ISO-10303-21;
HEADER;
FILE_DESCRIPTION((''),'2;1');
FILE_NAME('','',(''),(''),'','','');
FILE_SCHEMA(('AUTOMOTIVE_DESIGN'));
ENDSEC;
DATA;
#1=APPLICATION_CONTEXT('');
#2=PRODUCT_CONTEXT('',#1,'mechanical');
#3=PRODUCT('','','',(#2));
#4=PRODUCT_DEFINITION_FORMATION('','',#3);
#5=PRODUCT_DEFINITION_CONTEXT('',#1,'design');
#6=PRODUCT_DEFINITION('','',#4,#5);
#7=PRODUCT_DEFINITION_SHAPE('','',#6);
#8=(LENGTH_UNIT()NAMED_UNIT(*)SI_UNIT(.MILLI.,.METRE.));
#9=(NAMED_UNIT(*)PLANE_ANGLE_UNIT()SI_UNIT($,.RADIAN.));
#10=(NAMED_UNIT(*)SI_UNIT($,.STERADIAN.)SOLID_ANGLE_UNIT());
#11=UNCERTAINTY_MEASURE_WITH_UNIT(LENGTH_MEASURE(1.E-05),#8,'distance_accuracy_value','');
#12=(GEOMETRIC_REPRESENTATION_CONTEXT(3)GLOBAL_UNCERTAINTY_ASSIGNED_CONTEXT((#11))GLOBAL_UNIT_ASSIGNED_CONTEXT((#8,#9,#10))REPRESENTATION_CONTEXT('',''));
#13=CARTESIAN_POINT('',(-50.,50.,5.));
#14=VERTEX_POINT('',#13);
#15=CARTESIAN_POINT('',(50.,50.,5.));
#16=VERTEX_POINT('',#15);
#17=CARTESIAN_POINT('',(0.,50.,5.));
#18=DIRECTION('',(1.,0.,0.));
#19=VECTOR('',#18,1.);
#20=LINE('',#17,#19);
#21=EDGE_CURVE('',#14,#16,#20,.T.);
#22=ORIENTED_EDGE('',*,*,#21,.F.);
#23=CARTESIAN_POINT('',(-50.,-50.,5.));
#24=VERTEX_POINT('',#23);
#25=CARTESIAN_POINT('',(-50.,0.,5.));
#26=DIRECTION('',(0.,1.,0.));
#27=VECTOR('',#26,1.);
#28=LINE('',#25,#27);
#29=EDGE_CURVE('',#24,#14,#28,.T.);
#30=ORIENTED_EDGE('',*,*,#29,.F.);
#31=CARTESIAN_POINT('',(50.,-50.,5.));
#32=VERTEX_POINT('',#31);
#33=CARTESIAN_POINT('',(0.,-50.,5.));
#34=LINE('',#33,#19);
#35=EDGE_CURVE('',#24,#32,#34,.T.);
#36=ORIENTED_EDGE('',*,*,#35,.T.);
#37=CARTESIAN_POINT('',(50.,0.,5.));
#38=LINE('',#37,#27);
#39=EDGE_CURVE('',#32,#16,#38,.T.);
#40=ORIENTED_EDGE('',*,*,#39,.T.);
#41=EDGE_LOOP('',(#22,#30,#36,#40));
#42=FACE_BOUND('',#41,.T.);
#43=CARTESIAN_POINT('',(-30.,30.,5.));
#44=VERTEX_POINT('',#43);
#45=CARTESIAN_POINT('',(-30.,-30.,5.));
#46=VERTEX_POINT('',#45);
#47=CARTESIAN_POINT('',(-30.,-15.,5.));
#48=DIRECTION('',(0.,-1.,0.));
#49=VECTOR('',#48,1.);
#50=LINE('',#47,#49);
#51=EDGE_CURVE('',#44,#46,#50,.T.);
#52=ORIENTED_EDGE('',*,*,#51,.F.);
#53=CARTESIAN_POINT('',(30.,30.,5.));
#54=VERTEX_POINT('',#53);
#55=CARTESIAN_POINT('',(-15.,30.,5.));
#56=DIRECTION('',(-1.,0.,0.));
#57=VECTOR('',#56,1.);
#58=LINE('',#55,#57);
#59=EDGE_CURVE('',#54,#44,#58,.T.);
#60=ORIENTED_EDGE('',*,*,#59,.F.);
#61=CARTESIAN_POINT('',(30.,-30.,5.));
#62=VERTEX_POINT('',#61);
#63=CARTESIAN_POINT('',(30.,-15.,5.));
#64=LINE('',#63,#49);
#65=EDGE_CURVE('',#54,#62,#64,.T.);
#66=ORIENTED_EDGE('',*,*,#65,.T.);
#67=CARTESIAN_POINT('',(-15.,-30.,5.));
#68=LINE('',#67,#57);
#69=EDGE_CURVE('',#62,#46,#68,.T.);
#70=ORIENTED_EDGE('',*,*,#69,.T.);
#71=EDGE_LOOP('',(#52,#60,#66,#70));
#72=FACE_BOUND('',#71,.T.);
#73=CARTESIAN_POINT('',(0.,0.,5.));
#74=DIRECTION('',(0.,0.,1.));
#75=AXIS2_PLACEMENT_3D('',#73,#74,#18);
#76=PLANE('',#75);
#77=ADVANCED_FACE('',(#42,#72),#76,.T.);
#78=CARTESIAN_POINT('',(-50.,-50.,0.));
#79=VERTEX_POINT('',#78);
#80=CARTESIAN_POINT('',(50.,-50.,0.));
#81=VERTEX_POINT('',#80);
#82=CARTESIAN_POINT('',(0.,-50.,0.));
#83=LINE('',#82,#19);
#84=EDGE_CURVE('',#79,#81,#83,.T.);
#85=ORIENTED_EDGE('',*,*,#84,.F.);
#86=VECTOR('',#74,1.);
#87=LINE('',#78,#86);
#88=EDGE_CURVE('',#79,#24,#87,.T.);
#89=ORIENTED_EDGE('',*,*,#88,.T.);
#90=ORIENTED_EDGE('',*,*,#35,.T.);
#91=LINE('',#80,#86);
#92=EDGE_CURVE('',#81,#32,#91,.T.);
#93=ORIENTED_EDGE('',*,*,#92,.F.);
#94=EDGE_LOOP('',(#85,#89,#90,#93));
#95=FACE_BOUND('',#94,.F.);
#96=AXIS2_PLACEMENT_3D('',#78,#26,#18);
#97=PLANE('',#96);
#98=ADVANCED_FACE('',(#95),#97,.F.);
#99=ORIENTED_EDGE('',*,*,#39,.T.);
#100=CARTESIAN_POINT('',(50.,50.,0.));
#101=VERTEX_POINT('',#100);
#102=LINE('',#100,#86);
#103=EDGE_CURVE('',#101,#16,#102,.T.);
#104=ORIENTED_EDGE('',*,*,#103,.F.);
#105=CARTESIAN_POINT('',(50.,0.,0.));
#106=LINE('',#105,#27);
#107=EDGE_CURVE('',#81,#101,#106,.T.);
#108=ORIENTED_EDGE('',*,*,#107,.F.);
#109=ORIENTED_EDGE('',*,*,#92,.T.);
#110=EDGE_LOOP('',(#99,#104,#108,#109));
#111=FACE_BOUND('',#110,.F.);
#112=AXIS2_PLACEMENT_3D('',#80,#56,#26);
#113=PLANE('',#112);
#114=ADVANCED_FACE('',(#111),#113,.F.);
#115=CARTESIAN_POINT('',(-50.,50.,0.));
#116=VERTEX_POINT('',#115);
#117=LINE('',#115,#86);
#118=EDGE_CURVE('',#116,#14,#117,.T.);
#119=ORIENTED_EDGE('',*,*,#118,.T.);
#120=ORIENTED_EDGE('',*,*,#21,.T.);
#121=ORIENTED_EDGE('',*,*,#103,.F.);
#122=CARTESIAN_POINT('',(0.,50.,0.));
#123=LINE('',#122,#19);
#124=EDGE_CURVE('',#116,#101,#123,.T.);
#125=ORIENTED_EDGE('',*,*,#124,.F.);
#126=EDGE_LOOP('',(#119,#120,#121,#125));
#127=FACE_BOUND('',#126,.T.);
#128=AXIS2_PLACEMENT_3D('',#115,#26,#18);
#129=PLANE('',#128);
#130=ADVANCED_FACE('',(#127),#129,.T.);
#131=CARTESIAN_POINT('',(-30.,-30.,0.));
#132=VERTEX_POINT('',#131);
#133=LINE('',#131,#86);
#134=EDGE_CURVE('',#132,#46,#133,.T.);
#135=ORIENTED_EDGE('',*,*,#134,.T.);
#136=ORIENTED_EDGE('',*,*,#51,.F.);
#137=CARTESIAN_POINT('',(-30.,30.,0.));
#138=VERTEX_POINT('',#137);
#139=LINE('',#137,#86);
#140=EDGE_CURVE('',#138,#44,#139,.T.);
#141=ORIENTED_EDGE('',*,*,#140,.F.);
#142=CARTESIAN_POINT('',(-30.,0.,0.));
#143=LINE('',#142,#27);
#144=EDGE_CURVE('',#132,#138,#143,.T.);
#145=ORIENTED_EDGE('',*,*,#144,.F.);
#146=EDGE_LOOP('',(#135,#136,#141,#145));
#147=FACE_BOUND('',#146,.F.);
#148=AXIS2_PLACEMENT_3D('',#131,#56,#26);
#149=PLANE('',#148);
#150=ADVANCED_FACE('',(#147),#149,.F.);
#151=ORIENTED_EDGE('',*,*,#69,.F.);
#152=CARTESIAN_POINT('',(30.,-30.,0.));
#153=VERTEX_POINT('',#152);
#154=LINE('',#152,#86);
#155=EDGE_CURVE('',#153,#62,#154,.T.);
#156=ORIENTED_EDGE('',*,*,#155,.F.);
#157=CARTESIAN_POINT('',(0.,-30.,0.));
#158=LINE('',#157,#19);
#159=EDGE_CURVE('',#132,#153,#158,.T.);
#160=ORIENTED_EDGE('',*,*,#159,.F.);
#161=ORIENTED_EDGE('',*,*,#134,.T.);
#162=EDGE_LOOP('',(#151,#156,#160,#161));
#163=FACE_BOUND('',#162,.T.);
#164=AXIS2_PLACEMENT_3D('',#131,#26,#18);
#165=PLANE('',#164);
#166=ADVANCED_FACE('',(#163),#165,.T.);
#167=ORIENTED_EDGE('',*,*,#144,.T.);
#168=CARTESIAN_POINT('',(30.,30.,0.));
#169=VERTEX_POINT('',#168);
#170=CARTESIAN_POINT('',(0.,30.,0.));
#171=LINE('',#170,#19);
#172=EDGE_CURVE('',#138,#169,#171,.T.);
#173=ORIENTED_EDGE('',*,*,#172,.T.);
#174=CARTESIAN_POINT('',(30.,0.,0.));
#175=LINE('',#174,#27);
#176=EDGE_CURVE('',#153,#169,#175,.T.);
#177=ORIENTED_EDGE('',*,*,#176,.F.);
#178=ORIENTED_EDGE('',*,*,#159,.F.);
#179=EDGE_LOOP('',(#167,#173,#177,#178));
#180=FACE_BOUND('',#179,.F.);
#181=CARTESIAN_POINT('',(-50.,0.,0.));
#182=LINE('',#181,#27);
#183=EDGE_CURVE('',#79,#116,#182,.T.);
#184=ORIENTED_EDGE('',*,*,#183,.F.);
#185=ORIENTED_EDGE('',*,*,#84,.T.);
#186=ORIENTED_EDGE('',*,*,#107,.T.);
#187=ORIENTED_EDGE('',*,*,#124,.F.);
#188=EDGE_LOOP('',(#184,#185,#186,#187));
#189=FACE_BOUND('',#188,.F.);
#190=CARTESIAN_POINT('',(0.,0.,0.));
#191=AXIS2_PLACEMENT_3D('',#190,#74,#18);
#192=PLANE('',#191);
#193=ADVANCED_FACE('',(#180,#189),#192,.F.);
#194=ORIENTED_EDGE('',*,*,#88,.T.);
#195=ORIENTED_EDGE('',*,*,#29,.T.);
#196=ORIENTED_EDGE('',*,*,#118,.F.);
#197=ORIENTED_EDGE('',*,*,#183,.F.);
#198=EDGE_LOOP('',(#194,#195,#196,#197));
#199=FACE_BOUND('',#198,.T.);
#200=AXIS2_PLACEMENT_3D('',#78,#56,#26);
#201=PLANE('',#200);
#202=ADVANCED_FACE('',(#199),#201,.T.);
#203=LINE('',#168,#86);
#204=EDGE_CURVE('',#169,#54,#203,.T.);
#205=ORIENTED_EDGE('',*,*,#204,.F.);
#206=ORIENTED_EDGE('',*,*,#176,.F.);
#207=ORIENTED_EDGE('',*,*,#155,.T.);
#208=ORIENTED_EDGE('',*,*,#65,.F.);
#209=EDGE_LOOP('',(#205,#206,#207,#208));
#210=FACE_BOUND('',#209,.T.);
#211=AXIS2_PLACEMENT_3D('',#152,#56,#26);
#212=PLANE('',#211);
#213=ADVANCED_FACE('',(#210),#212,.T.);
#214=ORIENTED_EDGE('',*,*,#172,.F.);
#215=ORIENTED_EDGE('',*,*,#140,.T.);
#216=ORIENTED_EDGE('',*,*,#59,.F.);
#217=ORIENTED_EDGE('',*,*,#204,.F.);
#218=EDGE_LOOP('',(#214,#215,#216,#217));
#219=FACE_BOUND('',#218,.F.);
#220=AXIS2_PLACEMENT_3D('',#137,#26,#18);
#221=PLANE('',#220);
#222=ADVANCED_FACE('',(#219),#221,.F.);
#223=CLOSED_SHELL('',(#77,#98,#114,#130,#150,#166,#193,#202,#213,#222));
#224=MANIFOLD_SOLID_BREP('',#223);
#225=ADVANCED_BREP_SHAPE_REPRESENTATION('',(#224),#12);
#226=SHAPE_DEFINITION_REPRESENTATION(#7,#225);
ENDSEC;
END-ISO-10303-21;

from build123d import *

# Parameters (mm, degrees)
BOX001_W     = 60
BOX001_H     = 60
BOX001_DEPTH = 10
BOX_W        = 100
BOX_H        = 100
BOX_DEPTH    = 5


with BuildPart() as cube001:
    # Box001 → Box001 (new body)
    with BuildSketch(Plane(origin=(-30, -30, 0), x_dir=(1, 0, 0), z_dir=(0, 0, 1))):
        with Locations((30, 30)):
            Rectangle(BOX001_W, BOX001_H)
    extrude(amount=BOX001_DEPTH)


with BuildPart() as cut:
    # Box → Box (new body)
    with BuildSketch(Plane(origin=(-50, -50, 0), x_dir=(1, 0, 0), z_dir=(0, 0, 1))):
        with Locations((50, 50)):
            Rectangle(BOX_W, BOX_H)
    extrude(amount=BOX_DEPTH)

    # Cut: cut Cube001
    add(cube001.part, mode=Mode.SUBTRACT)


solid = cut.part
